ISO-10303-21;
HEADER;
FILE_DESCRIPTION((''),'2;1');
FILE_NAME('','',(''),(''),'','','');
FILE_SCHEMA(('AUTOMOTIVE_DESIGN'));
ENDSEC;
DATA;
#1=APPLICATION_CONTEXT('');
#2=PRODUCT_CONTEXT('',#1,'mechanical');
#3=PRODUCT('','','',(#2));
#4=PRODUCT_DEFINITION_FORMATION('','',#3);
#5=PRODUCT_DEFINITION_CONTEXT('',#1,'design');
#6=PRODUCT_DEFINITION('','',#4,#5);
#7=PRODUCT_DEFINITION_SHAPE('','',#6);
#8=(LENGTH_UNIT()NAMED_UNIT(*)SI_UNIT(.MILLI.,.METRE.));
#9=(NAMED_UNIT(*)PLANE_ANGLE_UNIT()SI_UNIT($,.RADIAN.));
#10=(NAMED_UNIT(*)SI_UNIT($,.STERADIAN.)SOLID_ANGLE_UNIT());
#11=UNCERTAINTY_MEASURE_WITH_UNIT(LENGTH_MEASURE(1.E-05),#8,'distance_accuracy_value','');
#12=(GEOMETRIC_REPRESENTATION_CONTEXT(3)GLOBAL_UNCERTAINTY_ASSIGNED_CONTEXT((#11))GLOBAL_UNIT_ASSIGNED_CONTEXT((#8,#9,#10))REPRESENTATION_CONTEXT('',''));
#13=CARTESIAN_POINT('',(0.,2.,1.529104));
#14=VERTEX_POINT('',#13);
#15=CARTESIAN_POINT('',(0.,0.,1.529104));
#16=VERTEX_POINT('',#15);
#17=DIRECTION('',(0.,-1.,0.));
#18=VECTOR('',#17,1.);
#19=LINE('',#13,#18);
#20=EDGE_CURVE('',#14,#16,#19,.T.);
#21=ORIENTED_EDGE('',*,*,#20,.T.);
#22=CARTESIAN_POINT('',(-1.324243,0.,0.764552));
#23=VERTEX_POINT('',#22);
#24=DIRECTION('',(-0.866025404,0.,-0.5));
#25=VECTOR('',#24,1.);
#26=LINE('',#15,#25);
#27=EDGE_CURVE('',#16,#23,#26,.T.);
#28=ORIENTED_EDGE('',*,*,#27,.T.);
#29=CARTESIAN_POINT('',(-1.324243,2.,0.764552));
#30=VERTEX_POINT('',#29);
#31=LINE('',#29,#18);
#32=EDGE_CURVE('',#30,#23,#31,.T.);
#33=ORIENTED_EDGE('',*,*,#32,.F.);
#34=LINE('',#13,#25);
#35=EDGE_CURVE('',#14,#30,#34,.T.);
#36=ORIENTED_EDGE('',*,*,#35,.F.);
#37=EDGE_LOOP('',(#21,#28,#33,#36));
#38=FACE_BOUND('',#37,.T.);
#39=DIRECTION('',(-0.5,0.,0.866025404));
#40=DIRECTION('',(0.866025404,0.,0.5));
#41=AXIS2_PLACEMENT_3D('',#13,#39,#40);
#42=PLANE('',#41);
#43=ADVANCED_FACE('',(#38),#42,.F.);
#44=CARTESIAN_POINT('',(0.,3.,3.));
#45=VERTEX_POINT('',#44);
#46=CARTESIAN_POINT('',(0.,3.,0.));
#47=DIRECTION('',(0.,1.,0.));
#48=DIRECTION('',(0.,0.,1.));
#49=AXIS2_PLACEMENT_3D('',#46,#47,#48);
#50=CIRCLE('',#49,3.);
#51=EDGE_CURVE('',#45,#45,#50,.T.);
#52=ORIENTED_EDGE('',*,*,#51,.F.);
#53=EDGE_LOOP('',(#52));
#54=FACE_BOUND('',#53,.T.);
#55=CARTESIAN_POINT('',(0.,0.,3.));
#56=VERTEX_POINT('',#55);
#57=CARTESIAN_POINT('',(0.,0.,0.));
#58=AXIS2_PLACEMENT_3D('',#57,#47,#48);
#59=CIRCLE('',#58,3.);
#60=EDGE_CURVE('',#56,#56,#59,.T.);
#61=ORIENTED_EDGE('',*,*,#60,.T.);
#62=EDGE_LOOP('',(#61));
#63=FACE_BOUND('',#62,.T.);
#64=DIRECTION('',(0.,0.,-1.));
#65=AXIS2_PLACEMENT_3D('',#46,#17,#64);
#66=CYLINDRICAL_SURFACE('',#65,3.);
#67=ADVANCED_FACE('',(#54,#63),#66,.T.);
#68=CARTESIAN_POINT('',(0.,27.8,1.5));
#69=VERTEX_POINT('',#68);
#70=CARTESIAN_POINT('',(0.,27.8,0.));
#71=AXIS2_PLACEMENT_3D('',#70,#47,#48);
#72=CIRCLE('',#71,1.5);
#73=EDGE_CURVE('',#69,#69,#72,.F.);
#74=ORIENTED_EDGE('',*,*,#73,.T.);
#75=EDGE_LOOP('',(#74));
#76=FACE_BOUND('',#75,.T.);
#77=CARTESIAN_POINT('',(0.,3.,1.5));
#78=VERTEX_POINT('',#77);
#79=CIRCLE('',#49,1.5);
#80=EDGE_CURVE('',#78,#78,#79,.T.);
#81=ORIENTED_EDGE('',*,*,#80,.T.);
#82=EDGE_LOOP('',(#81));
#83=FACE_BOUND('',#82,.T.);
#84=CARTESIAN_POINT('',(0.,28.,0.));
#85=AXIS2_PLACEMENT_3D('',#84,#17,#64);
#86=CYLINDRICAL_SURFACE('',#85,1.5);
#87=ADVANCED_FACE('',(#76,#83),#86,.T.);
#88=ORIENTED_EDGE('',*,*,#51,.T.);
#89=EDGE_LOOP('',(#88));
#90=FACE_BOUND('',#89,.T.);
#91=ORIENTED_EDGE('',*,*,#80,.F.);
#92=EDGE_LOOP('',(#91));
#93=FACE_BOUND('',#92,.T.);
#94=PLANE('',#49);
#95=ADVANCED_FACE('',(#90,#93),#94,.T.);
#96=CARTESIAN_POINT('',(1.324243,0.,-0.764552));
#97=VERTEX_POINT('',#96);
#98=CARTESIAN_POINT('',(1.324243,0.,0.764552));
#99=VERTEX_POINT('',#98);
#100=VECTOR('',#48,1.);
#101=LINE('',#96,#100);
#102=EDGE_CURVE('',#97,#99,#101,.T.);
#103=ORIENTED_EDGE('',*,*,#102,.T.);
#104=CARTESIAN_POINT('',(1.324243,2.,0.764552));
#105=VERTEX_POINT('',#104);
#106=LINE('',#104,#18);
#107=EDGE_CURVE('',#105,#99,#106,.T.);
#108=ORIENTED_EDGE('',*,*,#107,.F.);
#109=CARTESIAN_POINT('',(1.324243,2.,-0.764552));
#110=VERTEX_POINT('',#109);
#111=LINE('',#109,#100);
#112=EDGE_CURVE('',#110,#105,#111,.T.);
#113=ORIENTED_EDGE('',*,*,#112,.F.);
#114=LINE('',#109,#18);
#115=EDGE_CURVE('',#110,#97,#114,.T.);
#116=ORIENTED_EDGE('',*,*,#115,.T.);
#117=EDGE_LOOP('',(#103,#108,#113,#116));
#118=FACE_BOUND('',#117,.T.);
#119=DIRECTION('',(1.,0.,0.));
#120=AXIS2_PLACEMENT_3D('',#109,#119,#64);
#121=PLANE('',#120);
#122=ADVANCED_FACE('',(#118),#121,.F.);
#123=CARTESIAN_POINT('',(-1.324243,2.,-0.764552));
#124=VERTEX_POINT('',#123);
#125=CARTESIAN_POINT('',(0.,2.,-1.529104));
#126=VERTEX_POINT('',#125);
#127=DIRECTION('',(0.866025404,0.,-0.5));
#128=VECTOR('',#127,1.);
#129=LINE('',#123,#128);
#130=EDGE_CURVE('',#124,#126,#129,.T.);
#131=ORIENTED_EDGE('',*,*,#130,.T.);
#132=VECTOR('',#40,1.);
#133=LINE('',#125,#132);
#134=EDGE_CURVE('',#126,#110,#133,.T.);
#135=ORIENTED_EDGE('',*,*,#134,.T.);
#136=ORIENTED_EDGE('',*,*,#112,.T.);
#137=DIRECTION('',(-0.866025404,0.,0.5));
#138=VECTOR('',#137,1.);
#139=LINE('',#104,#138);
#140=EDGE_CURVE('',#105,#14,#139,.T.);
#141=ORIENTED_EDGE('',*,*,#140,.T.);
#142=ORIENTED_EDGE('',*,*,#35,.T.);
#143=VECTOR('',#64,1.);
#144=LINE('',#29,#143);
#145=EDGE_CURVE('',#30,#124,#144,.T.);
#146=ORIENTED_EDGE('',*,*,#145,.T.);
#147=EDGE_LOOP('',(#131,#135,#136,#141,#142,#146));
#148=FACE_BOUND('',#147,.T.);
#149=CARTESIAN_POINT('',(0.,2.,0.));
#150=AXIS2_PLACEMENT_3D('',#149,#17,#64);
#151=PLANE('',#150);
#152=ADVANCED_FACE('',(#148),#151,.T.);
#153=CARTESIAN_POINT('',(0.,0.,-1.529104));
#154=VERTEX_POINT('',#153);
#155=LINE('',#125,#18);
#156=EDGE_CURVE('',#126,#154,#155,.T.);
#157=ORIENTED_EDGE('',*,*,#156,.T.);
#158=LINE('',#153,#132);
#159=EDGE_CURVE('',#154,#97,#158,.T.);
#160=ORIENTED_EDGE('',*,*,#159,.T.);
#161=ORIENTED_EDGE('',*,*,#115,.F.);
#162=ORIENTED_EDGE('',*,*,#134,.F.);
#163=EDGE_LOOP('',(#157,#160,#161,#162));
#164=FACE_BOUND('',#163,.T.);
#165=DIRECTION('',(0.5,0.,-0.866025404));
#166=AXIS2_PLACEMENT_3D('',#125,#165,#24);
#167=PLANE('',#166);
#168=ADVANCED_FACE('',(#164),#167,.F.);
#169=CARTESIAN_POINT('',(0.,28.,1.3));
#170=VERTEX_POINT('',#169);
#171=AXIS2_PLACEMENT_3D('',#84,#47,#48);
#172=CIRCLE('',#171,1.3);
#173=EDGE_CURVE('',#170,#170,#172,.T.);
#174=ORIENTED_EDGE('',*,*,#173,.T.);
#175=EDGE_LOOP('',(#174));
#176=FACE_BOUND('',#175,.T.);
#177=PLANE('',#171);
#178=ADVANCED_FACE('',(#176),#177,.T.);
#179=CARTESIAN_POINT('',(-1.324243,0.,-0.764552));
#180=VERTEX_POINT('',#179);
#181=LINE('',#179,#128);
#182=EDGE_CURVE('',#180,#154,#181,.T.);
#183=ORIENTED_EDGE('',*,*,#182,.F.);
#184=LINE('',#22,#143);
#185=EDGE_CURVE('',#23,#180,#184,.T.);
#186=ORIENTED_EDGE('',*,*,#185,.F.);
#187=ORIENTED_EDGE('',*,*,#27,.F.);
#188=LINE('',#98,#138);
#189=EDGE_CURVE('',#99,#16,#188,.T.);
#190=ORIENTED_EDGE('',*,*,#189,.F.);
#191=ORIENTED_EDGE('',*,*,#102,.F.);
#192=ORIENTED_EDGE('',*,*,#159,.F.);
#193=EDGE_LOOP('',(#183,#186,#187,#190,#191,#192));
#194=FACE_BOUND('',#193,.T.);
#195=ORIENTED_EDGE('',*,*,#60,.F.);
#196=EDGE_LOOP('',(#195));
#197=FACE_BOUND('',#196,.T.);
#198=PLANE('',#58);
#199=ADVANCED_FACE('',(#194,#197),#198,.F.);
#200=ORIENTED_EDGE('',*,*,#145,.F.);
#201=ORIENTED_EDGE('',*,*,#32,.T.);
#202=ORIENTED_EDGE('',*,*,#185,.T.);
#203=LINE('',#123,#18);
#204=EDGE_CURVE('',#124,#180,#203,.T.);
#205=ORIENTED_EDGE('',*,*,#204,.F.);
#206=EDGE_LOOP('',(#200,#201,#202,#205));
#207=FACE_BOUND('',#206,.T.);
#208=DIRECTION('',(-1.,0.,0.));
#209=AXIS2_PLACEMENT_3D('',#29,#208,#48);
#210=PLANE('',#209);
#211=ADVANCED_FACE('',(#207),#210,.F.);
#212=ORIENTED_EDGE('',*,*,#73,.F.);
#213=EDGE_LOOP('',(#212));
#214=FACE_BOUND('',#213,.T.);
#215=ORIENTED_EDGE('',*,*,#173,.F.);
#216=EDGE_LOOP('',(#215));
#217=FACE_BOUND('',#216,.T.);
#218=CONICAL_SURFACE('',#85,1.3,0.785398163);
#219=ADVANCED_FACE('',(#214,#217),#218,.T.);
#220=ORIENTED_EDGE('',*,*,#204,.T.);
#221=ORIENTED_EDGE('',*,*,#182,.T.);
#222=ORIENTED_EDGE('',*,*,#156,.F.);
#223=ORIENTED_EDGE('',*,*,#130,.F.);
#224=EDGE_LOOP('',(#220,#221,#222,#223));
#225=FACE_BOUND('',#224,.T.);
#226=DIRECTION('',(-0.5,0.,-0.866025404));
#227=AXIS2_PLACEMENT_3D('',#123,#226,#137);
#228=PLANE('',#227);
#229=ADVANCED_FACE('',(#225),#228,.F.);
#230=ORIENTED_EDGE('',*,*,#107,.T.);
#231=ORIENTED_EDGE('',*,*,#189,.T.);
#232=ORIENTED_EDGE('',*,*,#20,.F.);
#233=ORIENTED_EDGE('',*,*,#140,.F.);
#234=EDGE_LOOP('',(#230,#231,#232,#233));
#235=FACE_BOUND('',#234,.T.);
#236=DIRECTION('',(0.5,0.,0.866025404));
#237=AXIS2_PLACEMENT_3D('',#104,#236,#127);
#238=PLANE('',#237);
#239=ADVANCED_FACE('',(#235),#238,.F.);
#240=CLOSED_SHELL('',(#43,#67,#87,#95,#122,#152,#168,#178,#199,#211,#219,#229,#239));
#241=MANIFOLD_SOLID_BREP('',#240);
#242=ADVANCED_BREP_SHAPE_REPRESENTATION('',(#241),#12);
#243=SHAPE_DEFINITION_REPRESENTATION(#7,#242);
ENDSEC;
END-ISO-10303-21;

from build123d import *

# Parameters (mm, degrees)
SKETCH1_R           = 3
BOSS_EXTRUDE1_DEPTH = 3
SKETCH2_R           = 1.5
BOSS_EXTRUDE2_DEPTH = 25
CHAMFER1_SIZE       = 0.2
CUT_EXTRUDE1_DEPTH  = 2


with BuildPart() as part:
    # Sketch1 → Boss-Extrude1 (new body)
    with BuildSketch(Plane(origin=(0, 0, 0), x_dir=(1, 0, 0), z_dir=(0, 1, 0))):
        with Locations(Location((0, 0, 0), (0, 0, 270))):
            Circle(SKETCH1_R)
    extrude(amount=BOSS_EXTRUDE1_DEPTH)

    # Sketch2 → Boss-Extrude2 (add)
    with BuildSketch(Plane(origin=(0, 3, 0), x_dir=(1, 0, 0), z_dir=(0, 1, 0))):
        with Locations(Location((0, 0, 0), (0, 0, 270))):
            Circle(SKETCH2_R)
    extrude(amount=BOSS_EXTRUDE2_DEPTH)

    # Chamfer1
    chamfer1_edges = [part.edges().sort_by_distance(p)[0] for p in [
        (0, 28, -1.5),
    ]]
    chamfer(chamfer1_edges, length=CHAMFER1_SIZE)

    # Sketch3 → Cut-Extrude1 (cut)
    with BuildSketch(Plane.XZ):
        Polygon((0, 1.529103694), (-1.324242644, 0.764551847), (-1.324242644, -0.764551847), (0, -1.529103694), (1.324242644, -0.764551847), (1.324242644, 0.764551847), align=None)
    extrude(amount=-CUT_EXTRUDE1_DEPTH, mode=Mode.SUBTRACT)


solid = part.part
